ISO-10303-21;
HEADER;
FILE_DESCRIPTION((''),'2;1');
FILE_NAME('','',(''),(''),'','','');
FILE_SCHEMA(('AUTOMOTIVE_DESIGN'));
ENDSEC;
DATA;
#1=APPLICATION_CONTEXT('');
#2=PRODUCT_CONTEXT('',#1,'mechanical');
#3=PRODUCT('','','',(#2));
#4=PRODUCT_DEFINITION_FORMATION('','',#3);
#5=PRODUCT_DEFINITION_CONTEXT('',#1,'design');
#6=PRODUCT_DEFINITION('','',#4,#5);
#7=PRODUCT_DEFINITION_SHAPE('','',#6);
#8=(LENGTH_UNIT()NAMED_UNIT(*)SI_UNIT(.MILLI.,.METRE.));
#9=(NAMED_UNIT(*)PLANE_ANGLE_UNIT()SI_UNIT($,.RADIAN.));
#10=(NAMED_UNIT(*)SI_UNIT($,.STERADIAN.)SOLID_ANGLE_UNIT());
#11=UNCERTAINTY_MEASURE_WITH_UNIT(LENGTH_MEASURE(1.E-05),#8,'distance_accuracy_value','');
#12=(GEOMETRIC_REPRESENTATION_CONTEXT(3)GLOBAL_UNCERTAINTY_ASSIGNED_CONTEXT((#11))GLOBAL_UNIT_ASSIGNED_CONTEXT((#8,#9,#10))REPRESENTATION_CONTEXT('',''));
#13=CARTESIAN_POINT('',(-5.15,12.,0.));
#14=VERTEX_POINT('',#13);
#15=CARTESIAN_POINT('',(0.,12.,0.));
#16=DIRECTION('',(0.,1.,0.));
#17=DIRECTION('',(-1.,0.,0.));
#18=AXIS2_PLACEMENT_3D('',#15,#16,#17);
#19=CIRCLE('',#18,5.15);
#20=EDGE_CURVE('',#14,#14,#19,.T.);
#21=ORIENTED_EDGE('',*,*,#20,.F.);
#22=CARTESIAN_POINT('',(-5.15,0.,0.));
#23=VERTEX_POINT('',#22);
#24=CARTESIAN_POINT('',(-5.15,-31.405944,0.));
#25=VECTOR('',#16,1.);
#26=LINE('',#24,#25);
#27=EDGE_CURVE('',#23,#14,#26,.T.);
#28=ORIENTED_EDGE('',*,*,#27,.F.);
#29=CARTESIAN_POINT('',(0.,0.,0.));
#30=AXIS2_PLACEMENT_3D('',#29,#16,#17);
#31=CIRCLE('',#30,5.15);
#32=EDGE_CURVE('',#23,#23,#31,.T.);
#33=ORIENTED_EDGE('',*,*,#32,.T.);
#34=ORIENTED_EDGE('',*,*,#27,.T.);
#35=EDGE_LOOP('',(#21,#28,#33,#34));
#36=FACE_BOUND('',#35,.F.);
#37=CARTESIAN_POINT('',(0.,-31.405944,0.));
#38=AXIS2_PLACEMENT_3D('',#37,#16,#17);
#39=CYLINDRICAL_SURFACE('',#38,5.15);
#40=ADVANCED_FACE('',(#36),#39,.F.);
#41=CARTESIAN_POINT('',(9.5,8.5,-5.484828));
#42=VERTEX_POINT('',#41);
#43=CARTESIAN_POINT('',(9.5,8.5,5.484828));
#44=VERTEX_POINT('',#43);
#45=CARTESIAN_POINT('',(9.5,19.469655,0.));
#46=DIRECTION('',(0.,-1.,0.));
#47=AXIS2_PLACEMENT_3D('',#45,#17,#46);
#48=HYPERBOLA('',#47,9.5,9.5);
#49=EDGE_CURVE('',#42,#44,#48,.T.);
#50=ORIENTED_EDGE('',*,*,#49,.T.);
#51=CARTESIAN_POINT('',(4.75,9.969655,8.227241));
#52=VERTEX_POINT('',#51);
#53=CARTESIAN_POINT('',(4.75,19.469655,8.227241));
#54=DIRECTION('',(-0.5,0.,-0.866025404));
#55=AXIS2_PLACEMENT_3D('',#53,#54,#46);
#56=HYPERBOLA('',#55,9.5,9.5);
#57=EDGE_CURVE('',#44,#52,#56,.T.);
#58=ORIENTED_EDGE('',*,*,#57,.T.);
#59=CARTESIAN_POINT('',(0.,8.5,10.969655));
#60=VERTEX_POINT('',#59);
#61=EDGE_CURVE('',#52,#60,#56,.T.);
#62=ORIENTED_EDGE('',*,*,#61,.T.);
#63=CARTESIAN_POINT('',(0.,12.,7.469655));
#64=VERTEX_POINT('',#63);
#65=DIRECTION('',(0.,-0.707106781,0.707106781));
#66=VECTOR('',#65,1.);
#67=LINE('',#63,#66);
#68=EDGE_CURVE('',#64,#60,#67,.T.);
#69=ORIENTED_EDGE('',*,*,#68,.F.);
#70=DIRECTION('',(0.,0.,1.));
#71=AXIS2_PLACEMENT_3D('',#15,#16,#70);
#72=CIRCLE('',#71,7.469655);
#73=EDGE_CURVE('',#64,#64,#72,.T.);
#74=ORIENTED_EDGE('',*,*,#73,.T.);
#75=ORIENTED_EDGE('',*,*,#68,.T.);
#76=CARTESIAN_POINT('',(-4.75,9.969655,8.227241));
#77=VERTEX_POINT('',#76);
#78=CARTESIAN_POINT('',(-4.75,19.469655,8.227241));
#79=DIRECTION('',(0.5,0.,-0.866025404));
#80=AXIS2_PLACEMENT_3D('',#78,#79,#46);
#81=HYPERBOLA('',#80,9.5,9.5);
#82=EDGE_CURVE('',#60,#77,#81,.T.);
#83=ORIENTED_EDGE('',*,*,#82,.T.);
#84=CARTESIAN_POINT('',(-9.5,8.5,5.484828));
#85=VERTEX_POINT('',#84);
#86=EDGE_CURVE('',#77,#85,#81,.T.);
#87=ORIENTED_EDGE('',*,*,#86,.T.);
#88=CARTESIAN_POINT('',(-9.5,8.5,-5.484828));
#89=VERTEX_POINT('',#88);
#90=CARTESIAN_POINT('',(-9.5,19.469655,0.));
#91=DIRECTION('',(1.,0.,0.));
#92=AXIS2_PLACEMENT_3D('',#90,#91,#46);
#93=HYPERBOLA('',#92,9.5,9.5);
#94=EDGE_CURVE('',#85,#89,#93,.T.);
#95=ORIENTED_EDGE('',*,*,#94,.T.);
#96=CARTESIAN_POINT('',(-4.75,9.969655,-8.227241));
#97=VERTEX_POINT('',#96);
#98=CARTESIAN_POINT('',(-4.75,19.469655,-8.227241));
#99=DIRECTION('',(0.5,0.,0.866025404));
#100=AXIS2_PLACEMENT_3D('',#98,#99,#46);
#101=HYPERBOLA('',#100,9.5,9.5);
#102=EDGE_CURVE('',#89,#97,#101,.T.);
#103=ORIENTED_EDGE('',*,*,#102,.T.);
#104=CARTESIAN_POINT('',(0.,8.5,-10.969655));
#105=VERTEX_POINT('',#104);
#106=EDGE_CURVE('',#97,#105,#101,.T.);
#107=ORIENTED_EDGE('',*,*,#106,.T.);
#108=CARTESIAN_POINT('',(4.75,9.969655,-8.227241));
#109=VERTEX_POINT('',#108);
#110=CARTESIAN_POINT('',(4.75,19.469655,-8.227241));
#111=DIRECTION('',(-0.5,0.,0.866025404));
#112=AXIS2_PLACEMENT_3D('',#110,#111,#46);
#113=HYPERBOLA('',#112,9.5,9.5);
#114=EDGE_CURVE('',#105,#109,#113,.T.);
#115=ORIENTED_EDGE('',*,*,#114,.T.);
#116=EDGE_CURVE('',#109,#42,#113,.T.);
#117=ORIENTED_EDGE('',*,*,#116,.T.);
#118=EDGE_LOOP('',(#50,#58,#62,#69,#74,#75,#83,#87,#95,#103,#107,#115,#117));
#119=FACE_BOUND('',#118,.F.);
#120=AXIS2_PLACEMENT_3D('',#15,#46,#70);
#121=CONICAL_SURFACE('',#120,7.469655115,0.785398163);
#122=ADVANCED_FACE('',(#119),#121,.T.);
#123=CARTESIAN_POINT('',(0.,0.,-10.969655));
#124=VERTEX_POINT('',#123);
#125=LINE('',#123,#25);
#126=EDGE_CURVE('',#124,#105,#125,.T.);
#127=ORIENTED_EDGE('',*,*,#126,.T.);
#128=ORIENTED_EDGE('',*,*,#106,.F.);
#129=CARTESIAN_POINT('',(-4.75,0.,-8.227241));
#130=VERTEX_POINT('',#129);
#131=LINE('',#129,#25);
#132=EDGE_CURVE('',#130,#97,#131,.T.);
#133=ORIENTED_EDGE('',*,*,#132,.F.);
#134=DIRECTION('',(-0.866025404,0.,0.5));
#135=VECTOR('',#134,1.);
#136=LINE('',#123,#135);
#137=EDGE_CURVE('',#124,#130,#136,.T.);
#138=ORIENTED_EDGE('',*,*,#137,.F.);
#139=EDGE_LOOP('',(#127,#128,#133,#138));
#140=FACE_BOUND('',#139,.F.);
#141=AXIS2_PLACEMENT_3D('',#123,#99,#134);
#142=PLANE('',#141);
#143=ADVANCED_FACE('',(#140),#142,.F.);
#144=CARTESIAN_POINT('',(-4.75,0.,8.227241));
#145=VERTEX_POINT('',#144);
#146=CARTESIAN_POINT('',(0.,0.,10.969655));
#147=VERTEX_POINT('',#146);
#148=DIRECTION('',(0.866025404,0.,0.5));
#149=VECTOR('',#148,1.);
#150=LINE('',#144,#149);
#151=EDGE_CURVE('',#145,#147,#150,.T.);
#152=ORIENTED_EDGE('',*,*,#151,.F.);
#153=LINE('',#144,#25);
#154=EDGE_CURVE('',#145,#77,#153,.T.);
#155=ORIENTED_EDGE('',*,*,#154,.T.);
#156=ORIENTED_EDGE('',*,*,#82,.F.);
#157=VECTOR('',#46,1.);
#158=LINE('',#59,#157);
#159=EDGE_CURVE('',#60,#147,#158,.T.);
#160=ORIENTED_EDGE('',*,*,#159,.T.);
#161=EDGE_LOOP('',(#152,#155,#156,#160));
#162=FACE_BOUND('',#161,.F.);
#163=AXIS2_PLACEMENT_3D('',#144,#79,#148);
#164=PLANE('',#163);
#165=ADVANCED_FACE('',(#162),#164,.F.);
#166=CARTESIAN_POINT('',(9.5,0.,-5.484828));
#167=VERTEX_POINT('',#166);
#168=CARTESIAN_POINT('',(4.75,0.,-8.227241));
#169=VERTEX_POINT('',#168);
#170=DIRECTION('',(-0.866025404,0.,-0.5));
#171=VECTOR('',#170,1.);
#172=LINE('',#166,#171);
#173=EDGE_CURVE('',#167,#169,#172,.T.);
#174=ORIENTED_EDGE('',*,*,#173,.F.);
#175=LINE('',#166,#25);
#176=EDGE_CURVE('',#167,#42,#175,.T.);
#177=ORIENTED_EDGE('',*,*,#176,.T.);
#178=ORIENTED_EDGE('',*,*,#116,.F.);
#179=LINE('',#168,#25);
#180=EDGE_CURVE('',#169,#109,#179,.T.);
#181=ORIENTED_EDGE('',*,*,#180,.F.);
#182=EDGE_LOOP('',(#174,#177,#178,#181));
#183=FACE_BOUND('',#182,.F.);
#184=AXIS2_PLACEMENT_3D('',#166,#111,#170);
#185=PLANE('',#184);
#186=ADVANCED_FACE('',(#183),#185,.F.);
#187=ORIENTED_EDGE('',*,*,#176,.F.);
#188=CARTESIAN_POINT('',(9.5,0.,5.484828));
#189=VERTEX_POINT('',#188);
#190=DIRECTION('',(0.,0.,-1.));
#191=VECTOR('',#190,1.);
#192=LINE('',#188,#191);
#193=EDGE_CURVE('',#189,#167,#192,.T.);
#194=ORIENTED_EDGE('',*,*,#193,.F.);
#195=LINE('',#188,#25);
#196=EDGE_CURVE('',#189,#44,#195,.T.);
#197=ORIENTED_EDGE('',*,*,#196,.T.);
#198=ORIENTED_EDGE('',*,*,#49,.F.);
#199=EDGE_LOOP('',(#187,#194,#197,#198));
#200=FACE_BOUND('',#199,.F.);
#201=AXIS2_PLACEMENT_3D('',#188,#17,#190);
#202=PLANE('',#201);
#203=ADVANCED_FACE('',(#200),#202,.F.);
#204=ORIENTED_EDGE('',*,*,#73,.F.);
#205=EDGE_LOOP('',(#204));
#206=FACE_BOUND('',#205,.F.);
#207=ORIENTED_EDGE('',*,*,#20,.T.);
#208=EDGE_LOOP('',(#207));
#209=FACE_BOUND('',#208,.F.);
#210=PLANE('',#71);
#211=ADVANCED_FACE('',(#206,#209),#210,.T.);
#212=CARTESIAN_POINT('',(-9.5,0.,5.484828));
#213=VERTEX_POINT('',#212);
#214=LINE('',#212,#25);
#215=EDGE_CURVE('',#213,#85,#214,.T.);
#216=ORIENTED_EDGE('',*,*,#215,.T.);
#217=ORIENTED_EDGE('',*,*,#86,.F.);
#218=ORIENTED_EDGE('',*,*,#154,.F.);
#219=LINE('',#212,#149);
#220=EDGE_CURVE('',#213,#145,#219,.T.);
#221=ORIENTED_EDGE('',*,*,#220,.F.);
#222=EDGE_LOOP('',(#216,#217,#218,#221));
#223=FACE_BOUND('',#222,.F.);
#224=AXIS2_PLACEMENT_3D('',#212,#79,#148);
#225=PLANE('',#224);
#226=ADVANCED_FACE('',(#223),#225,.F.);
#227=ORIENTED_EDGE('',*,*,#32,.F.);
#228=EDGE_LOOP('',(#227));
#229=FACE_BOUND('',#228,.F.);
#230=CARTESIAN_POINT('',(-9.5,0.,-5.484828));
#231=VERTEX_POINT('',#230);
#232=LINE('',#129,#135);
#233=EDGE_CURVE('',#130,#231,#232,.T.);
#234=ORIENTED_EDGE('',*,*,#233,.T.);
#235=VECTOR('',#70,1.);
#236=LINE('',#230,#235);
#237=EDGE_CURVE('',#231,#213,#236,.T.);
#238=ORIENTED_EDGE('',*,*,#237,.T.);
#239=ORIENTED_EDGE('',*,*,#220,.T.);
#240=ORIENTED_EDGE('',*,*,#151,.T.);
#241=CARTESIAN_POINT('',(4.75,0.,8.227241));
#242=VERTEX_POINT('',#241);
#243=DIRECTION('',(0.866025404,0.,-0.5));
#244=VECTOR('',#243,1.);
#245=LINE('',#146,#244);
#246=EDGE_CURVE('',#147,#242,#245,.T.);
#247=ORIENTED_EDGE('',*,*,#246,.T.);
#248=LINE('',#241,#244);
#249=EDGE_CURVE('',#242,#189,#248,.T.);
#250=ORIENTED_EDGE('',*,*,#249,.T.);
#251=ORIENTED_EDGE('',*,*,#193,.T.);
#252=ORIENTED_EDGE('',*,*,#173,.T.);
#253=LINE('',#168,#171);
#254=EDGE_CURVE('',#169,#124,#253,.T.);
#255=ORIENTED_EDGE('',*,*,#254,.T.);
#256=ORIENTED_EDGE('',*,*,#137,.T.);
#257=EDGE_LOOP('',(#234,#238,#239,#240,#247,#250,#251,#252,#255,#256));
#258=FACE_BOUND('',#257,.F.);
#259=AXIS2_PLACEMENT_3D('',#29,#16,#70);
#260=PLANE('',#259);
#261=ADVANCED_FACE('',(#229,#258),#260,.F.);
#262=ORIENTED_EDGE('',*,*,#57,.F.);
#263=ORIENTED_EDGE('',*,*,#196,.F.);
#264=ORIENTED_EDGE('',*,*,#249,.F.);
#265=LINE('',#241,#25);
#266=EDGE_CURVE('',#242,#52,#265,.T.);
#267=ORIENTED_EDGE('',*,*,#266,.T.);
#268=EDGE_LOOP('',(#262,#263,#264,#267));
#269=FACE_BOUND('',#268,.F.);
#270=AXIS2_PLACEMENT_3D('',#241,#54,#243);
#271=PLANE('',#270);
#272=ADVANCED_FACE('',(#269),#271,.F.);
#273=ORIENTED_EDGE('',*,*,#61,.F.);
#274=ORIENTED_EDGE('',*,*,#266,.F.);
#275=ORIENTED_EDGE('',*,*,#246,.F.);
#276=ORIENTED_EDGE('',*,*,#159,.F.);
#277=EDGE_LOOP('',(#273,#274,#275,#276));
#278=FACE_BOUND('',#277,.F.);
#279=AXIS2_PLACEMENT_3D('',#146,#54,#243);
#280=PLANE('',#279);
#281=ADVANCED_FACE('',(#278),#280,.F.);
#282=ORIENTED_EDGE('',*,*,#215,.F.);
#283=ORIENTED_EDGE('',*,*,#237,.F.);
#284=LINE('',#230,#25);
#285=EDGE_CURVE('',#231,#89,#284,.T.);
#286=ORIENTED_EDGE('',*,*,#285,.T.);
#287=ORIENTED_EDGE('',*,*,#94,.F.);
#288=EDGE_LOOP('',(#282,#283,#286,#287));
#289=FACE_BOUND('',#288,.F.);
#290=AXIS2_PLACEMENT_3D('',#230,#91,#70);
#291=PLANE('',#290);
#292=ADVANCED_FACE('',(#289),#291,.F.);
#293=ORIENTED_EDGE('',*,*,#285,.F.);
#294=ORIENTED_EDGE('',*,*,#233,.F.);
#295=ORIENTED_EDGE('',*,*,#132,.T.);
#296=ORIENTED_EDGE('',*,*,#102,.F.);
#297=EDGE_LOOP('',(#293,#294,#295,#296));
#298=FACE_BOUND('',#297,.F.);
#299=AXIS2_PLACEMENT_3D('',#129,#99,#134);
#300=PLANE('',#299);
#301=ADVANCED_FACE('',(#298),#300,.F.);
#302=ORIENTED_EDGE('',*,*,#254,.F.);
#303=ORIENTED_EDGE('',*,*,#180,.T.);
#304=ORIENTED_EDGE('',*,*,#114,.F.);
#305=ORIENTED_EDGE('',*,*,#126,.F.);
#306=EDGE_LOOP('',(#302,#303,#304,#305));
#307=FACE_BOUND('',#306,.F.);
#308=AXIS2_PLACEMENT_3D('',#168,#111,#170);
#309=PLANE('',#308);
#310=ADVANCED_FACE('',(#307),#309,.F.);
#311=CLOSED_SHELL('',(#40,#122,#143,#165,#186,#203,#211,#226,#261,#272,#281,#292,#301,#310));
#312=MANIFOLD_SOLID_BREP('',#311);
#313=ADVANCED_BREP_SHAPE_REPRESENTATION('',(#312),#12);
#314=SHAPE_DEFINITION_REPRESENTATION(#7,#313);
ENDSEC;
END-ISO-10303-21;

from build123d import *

# Parameters (mm, degrees)
F3_DEPTH = 12.001
F4_D     = 10.3


with BuildPart() as f2:
    # F1 (on Right) → F2 (revolve)
    with BuildSketch(Plane.YZ):
        Polygon((0, 9.5), (0, 0), (12, 0), (12, 7.4696551146), (8.5, 10.9696551146), (0, 10.9696551146), align=None)
    revolve(axis=Axis((0, 6, 0), (0, 1, 0)))

    # F0 (on Front) → F3 (cut, through all)
    with BuildSketch(Plane.XZ):
        with BuildLine():
            Line((-9.5, -5.4848275573), (-9.5, 0))
            Line((-9.5, 0), (-9.5, 5.4848275573))
            ThreePointArc((-9.5, 5.4848275573), (-10.9696551146, 0), (-9.5, -5.4848275573))
        make_face()
        with BuildLine():
            Line((-9.5, 5.4848275573), (-4.7499997625, 8.2272414731))
            Line((-4.7499997625, 8.2272414731), (0, 10.9696551146))
            ThreePointArc((0, 10.9696551146), (-5.4848275573, 9.5), (-9.5, 5.4848275573))
        make_face()
        with BuildLine():
            Line((0, 10.9696551146), (4.7499998306, 8.2272414337))
            Line((4.7499998306, 8.2272414337), (9.5, 5.4848275573))
            ThreePointArc((9.5, 5.4848275573), (5.4848275573, 9.5), (0, 10.9696551146))
        make_face()
        with BuildLine():
            Line((9.5, 5.4848275573), (9.5, 0))
            Line((9.5, 0), (9.5, -5.4848275573))
            ThreePointArc((9.5, -5.4848275573), (10.5958731807, -2.8391556619), (10.9696551146, 0))
            ThreePointArc((10.9696551146, 0), (10.5958731807, 2.8391556619), (9.5, 5.4848275573))
        make_face()
        with BuildLine():
            Line((9.5, -5.4848275573), (4.7499998306, -8.2272414337))
            Line((4.7499998306, -8.2272414337), (0, -10.9696551146))
            ThreePointArc((0, -10.9696551146), (5.4848275573, -9.5), (9.5, -5.4848275573))
        make_face()
        with BuildLine():
            Line((0, -10.9696551146), (-4.749999949, -8.2272413654))
            Line((-4.749999949, -8.2272413654), (-9.5, -5.4848275573))
            ThreePointArc((-9.5, -5.4848275573), (-5.4848275573, -9.5), (0, -10.9696551146))
        make_face()
    extrude(amount=-F3_DEPTH, mode=Mode.SUBTRACT)

    # F4 (through all)
    with Locations(Plane.XZ):
        with Locations((0, 0)):
            Hole(F4_D / 2)


solid = f2.part
